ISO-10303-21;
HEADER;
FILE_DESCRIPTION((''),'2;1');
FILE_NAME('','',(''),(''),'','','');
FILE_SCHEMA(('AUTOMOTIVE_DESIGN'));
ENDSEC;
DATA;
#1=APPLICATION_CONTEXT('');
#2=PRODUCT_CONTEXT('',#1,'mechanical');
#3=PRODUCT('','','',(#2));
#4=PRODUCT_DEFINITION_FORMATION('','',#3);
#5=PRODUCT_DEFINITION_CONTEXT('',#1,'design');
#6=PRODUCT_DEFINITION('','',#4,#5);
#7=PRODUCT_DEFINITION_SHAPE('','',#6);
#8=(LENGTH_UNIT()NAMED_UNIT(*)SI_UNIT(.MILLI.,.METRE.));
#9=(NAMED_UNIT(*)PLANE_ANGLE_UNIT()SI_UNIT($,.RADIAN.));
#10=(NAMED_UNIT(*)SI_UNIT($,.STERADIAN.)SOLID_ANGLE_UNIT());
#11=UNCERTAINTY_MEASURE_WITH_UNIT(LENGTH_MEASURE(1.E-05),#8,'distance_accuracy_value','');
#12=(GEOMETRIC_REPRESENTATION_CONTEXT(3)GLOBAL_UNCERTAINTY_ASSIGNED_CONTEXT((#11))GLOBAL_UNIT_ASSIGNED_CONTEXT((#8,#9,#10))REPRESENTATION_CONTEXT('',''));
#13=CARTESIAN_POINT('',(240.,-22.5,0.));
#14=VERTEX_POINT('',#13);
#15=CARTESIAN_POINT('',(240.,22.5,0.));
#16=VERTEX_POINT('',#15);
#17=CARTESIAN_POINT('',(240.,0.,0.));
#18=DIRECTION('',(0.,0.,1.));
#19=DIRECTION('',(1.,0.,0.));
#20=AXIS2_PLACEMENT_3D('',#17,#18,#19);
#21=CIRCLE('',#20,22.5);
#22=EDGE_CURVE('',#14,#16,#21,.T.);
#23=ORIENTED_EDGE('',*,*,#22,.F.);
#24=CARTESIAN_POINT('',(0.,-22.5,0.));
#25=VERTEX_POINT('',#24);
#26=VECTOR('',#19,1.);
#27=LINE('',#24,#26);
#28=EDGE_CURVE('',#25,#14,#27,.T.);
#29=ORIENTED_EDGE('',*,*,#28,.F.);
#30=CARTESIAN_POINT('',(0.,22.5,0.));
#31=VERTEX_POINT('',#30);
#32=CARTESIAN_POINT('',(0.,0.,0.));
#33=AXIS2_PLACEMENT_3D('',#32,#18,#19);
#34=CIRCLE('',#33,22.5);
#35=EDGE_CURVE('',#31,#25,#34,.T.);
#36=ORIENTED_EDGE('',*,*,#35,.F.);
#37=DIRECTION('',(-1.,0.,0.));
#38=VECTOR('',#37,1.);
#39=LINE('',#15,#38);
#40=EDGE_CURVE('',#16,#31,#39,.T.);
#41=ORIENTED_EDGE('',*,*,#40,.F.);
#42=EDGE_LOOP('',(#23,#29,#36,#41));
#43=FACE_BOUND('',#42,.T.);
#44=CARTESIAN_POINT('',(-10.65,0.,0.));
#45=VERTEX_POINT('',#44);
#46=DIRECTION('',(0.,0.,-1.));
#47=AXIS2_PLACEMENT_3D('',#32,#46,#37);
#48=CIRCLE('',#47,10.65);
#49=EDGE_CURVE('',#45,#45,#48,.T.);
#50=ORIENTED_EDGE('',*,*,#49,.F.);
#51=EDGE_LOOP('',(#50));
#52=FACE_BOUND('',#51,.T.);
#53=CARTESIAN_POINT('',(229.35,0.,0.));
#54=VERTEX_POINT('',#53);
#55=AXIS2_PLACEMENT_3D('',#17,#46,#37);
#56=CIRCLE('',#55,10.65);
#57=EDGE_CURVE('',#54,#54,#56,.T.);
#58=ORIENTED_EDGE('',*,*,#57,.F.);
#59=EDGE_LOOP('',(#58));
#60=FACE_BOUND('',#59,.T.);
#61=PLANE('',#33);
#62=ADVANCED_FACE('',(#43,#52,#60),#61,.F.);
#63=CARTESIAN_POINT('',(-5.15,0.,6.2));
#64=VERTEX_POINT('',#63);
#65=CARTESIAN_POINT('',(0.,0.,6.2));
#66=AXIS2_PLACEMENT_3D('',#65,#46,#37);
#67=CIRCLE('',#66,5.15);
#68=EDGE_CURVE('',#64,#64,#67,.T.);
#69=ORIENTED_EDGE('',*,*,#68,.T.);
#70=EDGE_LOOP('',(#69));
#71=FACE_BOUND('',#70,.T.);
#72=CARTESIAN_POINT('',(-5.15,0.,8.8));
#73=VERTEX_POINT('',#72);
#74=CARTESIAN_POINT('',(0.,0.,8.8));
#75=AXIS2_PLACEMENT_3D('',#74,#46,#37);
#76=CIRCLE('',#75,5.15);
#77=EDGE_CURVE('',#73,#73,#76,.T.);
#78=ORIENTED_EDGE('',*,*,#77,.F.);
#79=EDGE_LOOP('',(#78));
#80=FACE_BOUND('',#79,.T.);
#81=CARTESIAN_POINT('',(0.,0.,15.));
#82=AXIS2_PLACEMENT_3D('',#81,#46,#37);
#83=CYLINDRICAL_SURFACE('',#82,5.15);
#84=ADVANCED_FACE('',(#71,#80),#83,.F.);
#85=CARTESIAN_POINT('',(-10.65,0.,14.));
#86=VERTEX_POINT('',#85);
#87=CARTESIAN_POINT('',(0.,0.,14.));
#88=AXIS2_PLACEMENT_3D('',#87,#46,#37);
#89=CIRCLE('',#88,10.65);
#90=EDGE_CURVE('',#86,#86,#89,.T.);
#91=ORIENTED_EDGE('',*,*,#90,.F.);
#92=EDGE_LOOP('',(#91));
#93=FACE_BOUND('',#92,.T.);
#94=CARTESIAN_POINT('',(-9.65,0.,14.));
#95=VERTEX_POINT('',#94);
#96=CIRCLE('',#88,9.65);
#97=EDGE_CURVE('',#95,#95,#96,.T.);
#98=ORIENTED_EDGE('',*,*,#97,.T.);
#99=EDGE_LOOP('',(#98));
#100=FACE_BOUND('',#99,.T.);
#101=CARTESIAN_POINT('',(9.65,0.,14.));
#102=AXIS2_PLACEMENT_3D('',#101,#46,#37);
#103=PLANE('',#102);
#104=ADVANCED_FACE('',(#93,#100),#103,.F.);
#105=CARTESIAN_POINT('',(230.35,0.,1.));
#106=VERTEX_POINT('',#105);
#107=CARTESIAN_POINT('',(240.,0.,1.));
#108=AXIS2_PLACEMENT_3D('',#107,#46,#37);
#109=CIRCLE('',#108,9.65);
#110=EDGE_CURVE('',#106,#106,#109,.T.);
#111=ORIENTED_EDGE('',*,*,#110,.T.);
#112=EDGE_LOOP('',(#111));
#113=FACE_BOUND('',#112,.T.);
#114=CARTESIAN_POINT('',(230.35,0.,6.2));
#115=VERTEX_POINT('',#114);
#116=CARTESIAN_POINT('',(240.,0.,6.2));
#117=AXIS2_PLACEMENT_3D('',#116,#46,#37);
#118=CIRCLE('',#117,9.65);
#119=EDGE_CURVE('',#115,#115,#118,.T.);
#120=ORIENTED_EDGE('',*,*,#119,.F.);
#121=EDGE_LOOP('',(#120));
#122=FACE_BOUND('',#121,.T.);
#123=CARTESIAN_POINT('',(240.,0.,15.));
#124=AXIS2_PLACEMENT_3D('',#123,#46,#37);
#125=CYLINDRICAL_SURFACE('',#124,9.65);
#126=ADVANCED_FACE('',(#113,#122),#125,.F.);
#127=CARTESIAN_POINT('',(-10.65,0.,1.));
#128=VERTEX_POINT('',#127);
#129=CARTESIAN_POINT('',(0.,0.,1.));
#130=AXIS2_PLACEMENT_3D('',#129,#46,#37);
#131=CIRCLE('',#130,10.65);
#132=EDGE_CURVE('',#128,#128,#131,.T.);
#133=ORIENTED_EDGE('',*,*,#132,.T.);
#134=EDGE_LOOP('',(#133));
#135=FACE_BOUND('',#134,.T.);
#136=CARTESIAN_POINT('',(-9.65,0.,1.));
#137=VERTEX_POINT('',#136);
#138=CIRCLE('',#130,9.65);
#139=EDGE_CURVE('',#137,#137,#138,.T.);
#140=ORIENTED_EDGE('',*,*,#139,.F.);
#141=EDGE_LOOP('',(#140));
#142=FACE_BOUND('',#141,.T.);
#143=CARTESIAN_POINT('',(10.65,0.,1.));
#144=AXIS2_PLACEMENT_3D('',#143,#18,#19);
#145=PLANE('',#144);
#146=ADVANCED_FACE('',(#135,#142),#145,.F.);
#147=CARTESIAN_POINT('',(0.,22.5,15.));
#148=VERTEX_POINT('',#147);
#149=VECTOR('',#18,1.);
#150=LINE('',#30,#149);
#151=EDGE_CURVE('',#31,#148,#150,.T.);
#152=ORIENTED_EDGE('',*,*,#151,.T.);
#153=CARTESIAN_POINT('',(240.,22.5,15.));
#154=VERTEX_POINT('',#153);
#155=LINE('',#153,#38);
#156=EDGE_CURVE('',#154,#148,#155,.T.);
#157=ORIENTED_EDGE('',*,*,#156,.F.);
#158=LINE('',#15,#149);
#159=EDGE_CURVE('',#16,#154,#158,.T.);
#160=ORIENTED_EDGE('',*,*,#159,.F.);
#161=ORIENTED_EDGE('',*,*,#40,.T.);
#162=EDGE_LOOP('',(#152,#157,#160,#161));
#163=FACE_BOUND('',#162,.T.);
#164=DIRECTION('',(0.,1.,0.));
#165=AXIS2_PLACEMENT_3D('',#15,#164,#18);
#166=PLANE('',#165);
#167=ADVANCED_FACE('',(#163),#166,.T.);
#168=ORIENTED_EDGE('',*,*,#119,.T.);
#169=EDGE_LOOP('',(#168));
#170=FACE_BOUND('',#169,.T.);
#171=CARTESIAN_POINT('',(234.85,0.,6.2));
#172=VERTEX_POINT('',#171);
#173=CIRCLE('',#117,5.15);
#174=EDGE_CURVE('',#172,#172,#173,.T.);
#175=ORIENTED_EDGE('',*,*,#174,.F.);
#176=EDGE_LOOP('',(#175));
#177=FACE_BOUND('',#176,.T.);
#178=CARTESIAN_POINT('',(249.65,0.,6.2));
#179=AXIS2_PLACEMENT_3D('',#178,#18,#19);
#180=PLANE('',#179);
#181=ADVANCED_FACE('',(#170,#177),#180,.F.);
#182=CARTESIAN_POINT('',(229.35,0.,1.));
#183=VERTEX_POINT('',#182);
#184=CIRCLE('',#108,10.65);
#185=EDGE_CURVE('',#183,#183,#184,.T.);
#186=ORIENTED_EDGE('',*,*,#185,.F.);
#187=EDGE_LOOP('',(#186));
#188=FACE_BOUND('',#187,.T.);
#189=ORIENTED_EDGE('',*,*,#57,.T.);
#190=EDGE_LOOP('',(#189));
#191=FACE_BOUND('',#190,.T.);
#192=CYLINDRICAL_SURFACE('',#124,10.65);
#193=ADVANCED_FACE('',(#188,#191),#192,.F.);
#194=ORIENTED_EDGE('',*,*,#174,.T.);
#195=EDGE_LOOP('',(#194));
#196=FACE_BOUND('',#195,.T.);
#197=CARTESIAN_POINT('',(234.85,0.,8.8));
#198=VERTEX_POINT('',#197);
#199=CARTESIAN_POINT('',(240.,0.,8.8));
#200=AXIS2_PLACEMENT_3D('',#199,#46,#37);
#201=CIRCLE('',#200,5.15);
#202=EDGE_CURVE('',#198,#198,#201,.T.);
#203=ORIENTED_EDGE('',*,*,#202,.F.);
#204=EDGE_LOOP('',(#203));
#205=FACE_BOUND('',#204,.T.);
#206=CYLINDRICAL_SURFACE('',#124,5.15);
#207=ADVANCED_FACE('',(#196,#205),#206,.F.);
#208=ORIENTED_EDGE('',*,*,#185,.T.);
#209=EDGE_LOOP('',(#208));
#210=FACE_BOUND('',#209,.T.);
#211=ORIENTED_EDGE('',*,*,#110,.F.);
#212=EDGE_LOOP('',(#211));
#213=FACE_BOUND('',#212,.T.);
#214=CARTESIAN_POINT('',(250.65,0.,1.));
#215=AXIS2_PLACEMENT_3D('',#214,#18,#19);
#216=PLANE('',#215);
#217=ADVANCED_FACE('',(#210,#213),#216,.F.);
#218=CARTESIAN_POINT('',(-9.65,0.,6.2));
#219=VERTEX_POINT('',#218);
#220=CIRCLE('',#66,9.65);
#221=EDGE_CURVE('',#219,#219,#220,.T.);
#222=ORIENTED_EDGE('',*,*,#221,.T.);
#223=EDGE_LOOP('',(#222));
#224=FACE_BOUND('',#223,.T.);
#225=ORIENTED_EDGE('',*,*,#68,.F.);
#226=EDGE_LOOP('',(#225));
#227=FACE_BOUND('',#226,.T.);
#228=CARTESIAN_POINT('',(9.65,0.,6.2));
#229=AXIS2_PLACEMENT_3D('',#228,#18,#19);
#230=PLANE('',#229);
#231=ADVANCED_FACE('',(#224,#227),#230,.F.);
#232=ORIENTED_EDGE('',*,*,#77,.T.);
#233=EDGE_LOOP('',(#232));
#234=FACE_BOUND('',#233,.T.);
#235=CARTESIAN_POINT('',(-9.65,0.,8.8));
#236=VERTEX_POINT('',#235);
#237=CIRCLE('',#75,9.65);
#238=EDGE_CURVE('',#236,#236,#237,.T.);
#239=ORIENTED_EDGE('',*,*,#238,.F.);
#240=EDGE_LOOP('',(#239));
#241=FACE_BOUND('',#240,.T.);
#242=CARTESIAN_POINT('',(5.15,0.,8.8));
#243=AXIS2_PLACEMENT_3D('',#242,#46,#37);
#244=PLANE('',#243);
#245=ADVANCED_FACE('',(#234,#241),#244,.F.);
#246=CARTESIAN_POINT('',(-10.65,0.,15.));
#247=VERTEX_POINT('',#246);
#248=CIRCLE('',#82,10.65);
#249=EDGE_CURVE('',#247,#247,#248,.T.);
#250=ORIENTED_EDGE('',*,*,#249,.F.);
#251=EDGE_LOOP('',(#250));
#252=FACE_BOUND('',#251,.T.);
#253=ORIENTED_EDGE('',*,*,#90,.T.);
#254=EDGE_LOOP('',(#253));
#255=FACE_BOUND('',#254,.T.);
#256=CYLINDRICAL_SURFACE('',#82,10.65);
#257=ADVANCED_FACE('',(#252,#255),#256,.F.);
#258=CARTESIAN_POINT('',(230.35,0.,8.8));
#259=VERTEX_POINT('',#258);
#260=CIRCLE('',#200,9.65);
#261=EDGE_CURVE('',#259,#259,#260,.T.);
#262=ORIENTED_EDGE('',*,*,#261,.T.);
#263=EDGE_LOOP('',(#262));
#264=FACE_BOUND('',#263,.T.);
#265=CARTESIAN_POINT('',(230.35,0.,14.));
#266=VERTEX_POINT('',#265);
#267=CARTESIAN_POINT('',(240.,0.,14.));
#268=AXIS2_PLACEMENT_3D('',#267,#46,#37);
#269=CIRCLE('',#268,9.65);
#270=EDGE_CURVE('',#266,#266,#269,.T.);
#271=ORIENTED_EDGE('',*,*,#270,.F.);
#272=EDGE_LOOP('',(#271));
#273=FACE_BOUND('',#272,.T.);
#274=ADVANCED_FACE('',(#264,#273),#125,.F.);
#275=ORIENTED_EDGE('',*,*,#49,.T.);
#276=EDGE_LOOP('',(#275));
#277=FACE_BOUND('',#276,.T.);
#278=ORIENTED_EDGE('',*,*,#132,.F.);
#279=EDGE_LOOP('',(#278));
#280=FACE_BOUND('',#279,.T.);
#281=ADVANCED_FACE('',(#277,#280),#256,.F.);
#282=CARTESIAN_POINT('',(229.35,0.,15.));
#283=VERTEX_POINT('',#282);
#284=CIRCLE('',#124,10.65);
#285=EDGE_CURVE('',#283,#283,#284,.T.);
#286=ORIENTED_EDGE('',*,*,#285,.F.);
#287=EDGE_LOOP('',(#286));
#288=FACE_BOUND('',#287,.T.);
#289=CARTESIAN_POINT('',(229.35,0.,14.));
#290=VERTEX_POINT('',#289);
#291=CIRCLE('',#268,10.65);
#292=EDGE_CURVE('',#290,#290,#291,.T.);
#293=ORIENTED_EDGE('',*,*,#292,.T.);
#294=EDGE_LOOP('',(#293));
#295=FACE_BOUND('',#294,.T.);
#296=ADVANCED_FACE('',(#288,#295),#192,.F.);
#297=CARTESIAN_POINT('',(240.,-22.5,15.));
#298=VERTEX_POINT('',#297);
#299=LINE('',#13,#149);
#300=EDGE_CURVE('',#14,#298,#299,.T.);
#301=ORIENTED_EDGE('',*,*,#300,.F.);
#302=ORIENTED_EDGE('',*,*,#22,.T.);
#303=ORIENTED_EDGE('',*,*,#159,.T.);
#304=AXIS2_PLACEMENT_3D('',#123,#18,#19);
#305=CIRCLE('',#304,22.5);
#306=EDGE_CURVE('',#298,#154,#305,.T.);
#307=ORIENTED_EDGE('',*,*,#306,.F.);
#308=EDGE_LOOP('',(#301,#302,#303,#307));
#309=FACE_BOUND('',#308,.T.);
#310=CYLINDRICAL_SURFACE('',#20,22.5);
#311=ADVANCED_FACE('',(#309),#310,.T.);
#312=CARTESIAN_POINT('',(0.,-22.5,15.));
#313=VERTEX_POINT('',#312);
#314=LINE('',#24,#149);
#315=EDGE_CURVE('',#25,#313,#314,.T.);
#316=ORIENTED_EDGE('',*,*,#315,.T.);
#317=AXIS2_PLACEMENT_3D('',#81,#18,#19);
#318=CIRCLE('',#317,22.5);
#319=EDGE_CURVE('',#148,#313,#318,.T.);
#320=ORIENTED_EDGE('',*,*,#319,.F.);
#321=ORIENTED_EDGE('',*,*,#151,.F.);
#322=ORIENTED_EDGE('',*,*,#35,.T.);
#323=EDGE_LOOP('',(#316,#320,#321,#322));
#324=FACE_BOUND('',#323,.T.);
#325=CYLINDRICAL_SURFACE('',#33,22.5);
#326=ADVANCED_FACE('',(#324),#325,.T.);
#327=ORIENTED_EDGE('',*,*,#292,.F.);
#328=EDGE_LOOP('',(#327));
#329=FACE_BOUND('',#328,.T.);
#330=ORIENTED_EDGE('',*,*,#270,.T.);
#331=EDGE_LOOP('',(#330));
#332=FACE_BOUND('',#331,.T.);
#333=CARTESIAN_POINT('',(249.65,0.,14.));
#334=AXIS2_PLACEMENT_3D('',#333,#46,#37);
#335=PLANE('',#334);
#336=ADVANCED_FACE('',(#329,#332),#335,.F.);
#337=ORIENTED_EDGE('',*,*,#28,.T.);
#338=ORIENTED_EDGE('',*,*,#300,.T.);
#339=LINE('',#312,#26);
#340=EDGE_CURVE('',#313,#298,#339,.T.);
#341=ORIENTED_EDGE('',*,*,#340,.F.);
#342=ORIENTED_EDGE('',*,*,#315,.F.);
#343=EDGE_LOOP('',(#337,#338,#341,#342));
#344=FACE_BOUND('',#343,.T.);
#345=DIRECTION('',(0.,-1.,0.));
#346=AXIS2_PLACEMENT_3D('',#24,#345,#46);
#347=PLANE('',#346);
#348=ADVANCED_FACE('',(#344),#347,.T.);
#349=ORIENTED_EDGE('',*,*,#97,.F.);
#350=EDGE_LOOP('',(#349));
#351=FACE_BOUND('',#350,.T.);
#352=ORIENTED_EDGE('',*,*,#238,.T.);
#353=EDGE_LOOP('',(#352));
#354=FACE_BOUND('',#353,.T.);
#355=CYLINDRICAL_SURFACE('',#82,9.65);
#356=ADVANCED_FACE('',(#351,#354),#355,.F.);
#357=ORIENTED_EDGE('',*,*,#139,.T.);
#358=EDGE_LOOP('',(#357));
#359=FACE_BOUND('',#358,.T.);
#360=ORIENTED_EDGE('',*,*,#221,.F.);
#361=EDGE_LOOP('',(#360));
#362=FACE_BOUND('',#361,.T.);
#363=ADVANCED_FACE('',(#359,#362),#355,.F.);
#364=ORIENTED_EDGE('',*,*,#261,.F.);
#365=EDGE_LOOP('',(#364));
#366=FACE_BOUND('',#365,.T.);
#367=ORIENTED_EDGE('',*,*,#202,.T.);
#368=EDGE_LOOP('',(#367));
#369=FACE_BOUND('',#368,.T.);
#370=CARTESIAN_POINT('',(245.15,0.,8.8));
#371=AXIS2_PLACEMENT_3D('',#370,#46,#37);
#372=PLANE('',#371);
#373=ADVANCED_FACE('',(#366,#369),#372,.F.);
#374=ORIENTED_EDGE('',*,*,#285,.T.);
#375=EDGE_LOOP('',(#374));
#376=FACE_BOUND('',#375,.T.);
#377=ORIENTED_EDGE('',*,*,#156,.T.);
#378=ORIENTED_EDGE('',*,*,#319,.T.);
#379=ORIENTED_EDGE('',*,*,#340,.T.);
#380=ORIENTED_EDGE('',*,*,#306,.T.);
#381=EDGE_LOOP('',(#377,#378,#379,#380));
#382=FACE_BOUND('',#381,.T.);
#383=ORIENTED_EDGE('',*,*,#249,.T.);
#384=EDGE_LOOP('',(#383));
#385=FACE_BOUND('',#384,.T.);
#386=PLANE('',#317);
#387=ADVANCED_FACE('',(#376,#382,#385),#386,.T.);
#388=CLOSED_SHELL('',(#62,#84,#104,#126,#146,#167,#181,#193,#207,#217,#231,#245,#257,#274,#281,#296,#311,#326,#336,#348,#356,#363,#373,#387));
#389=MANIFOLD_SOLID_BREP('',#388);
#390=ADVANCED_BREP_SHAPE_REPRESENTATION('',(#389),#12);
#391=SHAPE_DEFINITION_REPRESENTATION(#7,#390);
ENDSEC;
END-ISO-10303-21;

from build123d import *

# Parameters (mm, degrees)
EXTRUDE_1_DEPTH = 15


with BuildPart() as part:
    # 草图2 → 凸台-拉伸1 (new body)
    with BuildSketch(Plane.XY.offset(15)):
        with BuildLine():
            Line((0, -22.5), (240, -22.5))
            ThreePointArc((240, -22.5), (262.5, 0), (240, 22.5))
            Line((240, 22.5), (0, 22.5))
            ThreePointArc((0, 22.5), (-22.5, 0), (0, -22.5))
        make_face()
    extrude(amount=-EXTRUDE_1_DEPTH)

    # 草图3 → 切除-旋转1 (revolve, cut)
    with BuildSketch(Plane.XZ, mode=Mode.PRIVATE) as cut_revolve_1_sk:
        Polygon((250.65, 15), (240, 15), (240, 0), (250.65, 0), (250.65, 1), (249.65, 1), (249.65, 6.2), (245.15, 6.2), (245.15, 8.8), (249.65, 8.8), (249.65, 14), (250.65, 14), align=None)
    revolve(cut_revolve_1_sk.sketch.rotate(Axis((240, 0, 15), (0, 0, -1)), 180), axis=Axis((240, 0, 15), (0, 0, -1)), mode=Mode.SUBTRACT)

    # 草图4 → 切除-旋转2 (revolve, cut)
    with BuildSketch(Plane.XZ, mode=Mode.PRIVATE) as cut_revolve_2_sk:
        Polygon((10.65, 15), (0, 15), (0, 0), (10.65, 0), (10.65, 1), (9.65, 1), (9.65, 6.2), (5.15, 6.2), (5.15, 8.8), (9.65, 8.8), (9.65, 14), (10.65, 14), align=None)
    revolve(cut_revolve_2_sk.sketch.rotate(Axis((0, 0, 15), (0, 0, -1)), 180), axis=Axis((0, 0, 15), (0, 0, -1)), mode=Mode.SUBTRACT)


solid = part.part
